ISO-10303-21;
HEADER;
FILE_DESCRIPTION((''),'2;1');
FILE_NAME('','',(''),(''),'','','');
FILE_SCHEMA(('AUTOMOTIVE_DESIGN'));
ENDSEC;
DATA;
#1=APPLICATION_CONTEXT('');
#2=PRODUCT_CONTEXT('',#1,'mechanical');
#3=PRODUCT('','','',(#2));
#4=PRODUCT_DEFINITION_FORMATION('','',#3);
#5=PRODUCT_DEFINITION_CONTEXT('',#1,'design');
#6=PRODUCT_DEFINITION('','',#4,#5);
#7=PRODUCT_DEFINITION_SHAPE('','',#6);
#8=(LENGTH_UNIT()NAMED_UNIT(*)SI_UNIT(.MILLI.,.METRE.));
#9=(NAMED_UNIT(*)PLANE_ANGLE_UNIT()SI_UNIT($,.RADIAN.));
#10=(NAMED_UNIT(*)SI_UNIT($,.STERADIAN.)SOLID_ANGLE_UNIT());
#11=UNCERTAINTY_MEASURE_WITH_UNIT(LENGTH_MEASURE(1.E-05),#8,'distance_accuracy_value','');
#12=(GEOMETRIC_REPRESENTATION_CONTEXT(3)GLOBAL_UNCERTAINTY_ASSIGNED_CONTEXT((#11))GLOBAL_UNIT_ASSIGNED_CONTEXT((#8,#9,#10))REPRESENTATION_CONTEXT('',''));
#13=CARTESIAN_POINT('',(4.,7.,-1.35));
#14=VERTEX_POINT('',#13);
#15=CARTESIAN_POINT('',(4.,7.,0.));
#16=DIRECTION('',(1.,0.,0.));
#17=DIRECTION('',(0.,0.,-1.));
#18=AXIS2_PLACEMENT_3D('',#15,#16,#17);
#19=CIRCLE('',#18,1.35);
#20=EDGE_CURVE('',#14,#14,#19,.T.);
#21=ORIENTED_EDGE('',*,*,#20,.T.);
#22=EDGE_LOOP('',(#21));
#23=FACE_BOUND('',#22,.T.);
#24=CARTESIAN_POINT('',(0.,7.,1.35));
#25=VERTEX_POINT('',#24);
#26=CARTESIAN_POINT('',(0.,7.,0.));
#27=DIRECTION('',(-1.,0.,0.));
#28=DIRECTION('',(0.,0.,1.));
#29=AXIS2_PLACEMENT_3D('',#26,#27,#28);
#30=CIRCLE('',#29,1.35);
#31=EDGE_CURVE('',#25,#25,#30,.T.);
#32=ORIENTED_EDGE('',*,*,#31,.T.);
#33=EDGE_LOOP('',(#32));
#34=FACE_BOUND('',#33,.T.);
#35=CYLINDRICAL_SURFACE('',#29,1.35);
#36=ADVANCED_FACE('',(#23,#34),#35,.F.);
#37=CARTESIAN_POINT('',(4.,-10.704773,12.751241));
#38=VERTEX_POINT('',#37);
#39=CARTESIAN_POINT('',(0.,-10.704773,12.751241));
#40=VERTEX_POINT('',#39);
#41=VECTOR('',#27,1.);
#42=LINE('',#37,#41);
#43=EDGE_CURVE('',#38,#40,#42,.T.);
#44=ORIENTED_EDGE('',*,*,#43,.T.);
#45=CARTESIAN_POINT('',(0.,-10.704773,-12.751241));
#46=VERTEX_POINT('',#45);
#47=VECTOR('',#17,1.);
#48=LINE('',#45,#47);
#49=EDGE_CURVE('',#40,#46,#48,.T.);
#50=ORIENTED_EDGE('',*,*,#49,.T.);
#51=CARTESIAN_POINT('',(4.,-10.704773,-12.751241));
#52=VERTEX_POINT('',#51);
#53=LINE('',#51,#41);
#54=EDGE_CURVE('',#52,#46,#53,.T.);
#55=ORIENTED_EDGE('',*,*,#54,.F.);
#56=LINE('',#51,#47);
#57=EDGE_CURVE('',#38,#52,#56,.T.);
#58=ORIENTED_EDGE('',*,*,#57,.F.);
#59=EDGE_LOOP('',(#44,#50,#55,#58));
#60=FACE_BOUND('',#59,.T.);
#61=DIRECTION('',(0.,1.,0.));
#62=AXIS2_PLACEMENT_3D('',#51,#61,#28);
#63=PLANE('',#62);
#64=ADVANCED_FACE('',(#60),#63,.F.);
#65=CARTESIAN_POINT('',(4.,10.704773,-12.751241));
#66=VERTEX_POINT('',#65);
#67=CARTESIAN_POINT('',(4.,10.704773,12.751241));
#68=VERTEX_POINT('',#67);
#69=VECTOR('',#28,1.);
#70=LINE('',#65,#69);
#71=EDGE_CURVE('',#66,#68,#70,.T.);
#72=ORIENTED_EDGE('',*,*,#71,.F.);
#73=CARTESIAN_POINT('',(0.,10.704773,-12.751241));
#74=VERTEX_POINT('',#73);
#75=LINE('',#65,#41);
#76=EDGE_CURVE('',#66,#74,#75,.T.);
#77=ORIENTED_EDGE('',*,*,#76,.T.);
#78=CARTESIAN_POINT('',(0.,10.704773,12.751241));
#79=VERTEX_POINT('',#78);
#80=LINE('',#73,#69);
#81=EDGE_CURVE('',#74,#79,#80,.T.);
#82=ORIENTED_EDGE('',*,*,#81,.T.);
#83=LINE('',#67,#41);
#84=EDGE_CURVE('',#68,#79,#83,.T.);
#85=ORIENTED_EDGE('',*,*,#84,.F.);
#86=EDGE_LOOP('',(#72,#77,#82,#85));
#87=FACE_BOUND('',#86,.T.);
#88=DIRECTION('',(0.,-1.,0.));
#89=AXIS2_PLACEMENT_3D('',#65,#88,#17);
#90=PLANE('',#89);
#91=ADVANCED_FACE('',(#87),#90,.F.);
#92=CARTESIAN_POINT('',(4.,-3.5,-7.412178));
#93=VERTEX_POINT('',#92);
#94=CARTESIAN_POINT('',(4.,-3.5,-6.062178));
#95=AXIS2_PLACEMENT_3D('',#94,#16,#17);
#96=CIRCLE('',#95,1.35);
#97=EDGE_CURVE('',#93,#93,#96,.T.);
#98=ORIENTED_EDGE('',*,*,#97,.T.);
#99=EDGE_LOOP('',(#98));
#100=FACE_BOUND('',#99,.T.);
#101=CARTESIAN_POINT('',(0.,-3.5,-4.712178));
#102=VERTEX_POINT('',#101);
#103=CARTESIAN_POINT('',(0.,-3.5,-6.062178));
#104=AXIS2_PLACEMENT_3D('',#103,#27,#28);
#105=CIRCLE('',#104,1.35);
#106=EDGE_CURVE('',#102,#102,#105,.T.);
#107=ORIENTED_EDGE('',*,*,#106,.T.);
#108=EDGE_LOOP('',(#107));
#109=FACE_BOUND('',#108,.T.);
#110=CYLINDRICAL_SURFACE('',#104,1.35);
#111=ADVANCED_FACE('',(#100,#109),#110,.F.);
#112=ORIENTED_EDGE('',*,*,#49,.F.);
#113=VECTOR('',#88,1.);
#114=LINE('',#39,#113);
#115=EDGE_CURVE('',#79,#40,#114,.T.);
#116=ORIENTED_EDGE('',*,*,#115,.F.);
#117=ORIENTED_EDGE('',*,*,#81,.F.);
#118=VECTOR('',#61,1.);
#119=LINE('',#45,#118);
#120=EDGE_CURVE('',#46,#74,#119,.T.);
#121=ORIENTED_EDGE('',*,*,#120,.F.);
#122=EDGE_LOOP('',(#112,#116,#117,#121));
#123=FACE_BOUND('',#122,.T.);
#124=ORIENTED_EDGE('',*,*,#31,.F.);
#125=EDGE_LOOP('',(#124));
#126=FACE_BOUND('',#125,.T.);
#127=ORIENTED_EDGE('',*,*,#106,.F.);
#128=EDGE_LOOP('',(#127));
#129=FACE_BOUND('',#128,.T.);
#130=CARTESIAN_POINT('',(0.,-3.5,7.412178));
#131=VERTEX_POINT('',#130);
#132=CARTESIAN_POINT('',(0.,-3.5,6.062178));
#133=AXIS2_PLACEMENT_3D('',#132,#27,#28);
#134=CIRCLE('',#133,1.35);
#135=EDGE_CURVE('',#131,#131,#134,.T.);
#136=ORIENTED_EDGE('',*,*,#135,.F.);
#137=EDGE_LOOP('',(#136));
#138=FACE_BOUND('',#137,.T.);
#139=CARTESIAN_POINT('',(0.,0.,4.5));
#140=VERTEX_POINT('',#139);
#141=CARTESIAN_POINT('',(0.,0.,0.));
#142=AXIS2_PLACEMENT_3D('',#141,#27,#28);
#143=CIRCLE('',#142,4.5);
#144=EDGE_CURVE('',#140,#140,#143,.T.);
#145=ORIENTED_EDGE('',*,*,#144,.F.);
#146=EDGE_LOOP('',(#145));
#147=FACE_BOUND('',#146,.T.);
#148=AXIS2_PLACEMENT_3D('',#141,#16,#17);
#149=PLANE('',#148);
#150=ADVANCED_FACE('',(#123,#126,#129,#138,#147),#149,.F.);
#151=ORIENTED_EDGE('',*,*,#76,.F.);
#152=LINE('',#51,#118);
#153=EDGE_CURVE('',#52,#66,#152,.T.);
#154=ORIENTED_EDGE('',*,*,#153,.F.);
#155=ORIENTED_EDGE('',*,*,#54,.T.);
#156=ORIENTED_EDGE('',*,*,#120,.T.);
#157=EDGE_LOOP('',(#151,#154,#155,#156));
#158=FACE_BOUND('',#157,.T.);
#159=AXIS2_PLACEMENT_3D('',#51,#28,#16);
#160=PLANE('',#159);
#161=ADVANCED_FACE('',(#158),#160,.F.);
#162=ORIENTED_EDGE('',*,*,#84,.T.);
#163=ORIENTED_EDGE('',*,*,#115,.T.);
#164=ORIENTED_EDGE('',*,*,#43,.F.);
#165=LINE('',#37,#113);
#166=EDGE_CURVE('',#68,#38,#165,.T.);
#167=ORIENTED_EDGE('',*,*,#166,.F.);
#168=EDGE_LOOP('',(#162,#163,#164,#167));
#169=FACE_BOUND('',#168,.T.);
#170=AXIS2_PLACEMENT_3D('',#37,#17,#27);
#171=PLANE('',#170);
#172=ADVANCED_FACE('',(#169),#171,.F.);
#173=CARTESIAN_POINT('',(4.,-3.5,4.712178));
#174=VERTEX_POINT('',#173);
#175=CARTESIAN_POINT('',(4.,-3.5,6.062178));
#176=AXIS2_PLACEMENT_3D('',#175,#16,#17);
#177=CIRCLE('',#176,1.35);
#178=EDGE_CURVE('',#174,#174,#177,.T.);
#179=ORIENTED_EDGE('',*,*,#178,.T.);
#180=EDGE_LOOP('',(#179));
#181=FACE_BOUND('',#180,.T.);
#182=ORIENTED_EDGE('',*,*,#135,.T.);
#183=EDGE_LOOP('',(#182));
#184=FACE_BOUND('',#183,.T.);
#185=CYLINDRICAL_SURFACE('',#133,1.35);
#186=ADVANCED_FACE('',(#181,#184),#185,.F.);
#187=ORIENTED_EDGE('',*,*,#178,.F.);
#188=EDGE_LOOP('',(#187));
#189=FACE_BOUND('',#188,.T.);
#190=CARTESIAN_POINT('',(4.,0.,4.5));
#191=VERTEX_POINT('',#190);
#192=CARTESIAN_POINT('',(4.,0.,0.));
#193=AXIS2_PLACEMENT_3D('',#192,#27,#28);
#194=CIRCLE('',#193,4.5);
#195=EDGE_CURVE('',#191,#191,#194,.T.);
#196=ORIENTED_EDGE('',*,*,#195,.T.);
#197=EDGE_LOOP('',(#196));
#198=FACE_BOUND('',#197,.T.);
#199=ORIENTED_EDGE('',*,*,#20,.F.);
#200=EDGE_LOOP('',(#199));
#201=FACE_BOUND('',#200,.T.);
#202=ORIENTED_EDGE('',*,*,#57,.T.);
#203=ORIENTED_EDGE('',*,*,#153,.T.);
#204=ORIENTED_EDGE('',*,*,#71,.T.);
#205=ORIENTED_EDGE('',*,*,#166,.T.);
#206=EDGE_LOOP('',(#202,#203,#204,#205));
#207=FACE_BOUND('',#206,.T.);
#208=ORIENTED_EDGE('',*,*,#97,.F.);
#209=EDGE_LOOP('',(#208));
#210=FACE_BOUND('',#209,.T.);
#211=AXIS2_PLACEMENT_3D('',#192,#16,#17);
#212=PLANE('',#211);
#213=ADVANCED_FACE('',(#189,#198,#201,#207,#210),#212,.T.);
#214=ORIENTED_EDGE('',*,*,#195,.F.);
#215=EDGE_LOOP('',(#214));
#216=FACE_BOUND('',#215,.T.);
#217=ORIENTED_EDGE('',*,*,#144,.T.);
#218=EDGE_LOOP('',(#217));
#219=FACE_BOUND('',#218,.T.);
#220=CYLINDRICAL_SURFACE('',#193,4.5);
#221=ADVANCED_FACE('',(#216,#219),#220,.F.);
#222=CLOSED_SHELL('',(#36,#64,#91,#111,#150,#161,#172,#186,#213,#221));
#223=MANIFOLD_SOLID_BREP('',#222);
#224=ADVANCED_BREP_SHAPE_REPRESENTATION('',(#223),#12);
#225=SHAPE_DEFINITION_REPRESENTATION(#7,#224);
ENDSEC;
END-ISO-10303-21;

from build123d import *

# Parameters (mm, degrees)
SKETCH2_W                  = 25.50248159
SKETCH2_H                  = 21.40954602
BOSS_EXTRUDE1_DEPTH        = 4
M2_5_CLEARANCE_HOLE1_D     = 2.7
M2_5_CLEARANCE_HOLE1_DEPTH = 6.65
M2_5_CLEARANCE_HOLE1_TIP   = 0.811161836
SKETCH6_R                  = 4.5
CUT_EXTRUDE1_DEPTH         = 18.12268399


with BuildPart() as part:
    # Sketch2 → Boss-Extrude1 (new body)
    with BuildSketch(Plane(origin=(0, 0, 0), x_dir=(0, 0, -1), z_dir=(1, 0, 0))):
        Rectangle(SKETCH2_W, SKETCH2_H)
    extrude(amount=BOSS_EXTRUDE1_DEPTH)

    # M2.5 Clearance Hole1
    with Locations(Plane.ZY):
        with Locations((0, 7), (-6.062177826, -3.5), (6.062177826, -3.5)):
            Hole(M2_5_CLEARANCE_HOLE1_D / 2, depth=M2_5_CLEARANCE_HOLE1_DEPTH)
            with Locations((0, 0, -(M2_5_CLEARANCE_HOLE1_DEPTH + M2_5_CLEARANCE_HOLE1_TIP / 2))):  # 118° drill point
                Cone(0, M2_5_CLEARANCE_HOLE1_D / 2, M2_5_CLEARANCE_HOLE1_TIP, mode=Mode.SUBTRACT)

    # Sketch6 → Cut-Extrude1 (cut, through all)
    with BuildSketch(Plane.ZY):
        Circle(SKETCH6_R)
    extrude(amount=-CUT_EXTRUDE1_DEPTH, mode=Mode.SUBTRACT)


solid = part.part
